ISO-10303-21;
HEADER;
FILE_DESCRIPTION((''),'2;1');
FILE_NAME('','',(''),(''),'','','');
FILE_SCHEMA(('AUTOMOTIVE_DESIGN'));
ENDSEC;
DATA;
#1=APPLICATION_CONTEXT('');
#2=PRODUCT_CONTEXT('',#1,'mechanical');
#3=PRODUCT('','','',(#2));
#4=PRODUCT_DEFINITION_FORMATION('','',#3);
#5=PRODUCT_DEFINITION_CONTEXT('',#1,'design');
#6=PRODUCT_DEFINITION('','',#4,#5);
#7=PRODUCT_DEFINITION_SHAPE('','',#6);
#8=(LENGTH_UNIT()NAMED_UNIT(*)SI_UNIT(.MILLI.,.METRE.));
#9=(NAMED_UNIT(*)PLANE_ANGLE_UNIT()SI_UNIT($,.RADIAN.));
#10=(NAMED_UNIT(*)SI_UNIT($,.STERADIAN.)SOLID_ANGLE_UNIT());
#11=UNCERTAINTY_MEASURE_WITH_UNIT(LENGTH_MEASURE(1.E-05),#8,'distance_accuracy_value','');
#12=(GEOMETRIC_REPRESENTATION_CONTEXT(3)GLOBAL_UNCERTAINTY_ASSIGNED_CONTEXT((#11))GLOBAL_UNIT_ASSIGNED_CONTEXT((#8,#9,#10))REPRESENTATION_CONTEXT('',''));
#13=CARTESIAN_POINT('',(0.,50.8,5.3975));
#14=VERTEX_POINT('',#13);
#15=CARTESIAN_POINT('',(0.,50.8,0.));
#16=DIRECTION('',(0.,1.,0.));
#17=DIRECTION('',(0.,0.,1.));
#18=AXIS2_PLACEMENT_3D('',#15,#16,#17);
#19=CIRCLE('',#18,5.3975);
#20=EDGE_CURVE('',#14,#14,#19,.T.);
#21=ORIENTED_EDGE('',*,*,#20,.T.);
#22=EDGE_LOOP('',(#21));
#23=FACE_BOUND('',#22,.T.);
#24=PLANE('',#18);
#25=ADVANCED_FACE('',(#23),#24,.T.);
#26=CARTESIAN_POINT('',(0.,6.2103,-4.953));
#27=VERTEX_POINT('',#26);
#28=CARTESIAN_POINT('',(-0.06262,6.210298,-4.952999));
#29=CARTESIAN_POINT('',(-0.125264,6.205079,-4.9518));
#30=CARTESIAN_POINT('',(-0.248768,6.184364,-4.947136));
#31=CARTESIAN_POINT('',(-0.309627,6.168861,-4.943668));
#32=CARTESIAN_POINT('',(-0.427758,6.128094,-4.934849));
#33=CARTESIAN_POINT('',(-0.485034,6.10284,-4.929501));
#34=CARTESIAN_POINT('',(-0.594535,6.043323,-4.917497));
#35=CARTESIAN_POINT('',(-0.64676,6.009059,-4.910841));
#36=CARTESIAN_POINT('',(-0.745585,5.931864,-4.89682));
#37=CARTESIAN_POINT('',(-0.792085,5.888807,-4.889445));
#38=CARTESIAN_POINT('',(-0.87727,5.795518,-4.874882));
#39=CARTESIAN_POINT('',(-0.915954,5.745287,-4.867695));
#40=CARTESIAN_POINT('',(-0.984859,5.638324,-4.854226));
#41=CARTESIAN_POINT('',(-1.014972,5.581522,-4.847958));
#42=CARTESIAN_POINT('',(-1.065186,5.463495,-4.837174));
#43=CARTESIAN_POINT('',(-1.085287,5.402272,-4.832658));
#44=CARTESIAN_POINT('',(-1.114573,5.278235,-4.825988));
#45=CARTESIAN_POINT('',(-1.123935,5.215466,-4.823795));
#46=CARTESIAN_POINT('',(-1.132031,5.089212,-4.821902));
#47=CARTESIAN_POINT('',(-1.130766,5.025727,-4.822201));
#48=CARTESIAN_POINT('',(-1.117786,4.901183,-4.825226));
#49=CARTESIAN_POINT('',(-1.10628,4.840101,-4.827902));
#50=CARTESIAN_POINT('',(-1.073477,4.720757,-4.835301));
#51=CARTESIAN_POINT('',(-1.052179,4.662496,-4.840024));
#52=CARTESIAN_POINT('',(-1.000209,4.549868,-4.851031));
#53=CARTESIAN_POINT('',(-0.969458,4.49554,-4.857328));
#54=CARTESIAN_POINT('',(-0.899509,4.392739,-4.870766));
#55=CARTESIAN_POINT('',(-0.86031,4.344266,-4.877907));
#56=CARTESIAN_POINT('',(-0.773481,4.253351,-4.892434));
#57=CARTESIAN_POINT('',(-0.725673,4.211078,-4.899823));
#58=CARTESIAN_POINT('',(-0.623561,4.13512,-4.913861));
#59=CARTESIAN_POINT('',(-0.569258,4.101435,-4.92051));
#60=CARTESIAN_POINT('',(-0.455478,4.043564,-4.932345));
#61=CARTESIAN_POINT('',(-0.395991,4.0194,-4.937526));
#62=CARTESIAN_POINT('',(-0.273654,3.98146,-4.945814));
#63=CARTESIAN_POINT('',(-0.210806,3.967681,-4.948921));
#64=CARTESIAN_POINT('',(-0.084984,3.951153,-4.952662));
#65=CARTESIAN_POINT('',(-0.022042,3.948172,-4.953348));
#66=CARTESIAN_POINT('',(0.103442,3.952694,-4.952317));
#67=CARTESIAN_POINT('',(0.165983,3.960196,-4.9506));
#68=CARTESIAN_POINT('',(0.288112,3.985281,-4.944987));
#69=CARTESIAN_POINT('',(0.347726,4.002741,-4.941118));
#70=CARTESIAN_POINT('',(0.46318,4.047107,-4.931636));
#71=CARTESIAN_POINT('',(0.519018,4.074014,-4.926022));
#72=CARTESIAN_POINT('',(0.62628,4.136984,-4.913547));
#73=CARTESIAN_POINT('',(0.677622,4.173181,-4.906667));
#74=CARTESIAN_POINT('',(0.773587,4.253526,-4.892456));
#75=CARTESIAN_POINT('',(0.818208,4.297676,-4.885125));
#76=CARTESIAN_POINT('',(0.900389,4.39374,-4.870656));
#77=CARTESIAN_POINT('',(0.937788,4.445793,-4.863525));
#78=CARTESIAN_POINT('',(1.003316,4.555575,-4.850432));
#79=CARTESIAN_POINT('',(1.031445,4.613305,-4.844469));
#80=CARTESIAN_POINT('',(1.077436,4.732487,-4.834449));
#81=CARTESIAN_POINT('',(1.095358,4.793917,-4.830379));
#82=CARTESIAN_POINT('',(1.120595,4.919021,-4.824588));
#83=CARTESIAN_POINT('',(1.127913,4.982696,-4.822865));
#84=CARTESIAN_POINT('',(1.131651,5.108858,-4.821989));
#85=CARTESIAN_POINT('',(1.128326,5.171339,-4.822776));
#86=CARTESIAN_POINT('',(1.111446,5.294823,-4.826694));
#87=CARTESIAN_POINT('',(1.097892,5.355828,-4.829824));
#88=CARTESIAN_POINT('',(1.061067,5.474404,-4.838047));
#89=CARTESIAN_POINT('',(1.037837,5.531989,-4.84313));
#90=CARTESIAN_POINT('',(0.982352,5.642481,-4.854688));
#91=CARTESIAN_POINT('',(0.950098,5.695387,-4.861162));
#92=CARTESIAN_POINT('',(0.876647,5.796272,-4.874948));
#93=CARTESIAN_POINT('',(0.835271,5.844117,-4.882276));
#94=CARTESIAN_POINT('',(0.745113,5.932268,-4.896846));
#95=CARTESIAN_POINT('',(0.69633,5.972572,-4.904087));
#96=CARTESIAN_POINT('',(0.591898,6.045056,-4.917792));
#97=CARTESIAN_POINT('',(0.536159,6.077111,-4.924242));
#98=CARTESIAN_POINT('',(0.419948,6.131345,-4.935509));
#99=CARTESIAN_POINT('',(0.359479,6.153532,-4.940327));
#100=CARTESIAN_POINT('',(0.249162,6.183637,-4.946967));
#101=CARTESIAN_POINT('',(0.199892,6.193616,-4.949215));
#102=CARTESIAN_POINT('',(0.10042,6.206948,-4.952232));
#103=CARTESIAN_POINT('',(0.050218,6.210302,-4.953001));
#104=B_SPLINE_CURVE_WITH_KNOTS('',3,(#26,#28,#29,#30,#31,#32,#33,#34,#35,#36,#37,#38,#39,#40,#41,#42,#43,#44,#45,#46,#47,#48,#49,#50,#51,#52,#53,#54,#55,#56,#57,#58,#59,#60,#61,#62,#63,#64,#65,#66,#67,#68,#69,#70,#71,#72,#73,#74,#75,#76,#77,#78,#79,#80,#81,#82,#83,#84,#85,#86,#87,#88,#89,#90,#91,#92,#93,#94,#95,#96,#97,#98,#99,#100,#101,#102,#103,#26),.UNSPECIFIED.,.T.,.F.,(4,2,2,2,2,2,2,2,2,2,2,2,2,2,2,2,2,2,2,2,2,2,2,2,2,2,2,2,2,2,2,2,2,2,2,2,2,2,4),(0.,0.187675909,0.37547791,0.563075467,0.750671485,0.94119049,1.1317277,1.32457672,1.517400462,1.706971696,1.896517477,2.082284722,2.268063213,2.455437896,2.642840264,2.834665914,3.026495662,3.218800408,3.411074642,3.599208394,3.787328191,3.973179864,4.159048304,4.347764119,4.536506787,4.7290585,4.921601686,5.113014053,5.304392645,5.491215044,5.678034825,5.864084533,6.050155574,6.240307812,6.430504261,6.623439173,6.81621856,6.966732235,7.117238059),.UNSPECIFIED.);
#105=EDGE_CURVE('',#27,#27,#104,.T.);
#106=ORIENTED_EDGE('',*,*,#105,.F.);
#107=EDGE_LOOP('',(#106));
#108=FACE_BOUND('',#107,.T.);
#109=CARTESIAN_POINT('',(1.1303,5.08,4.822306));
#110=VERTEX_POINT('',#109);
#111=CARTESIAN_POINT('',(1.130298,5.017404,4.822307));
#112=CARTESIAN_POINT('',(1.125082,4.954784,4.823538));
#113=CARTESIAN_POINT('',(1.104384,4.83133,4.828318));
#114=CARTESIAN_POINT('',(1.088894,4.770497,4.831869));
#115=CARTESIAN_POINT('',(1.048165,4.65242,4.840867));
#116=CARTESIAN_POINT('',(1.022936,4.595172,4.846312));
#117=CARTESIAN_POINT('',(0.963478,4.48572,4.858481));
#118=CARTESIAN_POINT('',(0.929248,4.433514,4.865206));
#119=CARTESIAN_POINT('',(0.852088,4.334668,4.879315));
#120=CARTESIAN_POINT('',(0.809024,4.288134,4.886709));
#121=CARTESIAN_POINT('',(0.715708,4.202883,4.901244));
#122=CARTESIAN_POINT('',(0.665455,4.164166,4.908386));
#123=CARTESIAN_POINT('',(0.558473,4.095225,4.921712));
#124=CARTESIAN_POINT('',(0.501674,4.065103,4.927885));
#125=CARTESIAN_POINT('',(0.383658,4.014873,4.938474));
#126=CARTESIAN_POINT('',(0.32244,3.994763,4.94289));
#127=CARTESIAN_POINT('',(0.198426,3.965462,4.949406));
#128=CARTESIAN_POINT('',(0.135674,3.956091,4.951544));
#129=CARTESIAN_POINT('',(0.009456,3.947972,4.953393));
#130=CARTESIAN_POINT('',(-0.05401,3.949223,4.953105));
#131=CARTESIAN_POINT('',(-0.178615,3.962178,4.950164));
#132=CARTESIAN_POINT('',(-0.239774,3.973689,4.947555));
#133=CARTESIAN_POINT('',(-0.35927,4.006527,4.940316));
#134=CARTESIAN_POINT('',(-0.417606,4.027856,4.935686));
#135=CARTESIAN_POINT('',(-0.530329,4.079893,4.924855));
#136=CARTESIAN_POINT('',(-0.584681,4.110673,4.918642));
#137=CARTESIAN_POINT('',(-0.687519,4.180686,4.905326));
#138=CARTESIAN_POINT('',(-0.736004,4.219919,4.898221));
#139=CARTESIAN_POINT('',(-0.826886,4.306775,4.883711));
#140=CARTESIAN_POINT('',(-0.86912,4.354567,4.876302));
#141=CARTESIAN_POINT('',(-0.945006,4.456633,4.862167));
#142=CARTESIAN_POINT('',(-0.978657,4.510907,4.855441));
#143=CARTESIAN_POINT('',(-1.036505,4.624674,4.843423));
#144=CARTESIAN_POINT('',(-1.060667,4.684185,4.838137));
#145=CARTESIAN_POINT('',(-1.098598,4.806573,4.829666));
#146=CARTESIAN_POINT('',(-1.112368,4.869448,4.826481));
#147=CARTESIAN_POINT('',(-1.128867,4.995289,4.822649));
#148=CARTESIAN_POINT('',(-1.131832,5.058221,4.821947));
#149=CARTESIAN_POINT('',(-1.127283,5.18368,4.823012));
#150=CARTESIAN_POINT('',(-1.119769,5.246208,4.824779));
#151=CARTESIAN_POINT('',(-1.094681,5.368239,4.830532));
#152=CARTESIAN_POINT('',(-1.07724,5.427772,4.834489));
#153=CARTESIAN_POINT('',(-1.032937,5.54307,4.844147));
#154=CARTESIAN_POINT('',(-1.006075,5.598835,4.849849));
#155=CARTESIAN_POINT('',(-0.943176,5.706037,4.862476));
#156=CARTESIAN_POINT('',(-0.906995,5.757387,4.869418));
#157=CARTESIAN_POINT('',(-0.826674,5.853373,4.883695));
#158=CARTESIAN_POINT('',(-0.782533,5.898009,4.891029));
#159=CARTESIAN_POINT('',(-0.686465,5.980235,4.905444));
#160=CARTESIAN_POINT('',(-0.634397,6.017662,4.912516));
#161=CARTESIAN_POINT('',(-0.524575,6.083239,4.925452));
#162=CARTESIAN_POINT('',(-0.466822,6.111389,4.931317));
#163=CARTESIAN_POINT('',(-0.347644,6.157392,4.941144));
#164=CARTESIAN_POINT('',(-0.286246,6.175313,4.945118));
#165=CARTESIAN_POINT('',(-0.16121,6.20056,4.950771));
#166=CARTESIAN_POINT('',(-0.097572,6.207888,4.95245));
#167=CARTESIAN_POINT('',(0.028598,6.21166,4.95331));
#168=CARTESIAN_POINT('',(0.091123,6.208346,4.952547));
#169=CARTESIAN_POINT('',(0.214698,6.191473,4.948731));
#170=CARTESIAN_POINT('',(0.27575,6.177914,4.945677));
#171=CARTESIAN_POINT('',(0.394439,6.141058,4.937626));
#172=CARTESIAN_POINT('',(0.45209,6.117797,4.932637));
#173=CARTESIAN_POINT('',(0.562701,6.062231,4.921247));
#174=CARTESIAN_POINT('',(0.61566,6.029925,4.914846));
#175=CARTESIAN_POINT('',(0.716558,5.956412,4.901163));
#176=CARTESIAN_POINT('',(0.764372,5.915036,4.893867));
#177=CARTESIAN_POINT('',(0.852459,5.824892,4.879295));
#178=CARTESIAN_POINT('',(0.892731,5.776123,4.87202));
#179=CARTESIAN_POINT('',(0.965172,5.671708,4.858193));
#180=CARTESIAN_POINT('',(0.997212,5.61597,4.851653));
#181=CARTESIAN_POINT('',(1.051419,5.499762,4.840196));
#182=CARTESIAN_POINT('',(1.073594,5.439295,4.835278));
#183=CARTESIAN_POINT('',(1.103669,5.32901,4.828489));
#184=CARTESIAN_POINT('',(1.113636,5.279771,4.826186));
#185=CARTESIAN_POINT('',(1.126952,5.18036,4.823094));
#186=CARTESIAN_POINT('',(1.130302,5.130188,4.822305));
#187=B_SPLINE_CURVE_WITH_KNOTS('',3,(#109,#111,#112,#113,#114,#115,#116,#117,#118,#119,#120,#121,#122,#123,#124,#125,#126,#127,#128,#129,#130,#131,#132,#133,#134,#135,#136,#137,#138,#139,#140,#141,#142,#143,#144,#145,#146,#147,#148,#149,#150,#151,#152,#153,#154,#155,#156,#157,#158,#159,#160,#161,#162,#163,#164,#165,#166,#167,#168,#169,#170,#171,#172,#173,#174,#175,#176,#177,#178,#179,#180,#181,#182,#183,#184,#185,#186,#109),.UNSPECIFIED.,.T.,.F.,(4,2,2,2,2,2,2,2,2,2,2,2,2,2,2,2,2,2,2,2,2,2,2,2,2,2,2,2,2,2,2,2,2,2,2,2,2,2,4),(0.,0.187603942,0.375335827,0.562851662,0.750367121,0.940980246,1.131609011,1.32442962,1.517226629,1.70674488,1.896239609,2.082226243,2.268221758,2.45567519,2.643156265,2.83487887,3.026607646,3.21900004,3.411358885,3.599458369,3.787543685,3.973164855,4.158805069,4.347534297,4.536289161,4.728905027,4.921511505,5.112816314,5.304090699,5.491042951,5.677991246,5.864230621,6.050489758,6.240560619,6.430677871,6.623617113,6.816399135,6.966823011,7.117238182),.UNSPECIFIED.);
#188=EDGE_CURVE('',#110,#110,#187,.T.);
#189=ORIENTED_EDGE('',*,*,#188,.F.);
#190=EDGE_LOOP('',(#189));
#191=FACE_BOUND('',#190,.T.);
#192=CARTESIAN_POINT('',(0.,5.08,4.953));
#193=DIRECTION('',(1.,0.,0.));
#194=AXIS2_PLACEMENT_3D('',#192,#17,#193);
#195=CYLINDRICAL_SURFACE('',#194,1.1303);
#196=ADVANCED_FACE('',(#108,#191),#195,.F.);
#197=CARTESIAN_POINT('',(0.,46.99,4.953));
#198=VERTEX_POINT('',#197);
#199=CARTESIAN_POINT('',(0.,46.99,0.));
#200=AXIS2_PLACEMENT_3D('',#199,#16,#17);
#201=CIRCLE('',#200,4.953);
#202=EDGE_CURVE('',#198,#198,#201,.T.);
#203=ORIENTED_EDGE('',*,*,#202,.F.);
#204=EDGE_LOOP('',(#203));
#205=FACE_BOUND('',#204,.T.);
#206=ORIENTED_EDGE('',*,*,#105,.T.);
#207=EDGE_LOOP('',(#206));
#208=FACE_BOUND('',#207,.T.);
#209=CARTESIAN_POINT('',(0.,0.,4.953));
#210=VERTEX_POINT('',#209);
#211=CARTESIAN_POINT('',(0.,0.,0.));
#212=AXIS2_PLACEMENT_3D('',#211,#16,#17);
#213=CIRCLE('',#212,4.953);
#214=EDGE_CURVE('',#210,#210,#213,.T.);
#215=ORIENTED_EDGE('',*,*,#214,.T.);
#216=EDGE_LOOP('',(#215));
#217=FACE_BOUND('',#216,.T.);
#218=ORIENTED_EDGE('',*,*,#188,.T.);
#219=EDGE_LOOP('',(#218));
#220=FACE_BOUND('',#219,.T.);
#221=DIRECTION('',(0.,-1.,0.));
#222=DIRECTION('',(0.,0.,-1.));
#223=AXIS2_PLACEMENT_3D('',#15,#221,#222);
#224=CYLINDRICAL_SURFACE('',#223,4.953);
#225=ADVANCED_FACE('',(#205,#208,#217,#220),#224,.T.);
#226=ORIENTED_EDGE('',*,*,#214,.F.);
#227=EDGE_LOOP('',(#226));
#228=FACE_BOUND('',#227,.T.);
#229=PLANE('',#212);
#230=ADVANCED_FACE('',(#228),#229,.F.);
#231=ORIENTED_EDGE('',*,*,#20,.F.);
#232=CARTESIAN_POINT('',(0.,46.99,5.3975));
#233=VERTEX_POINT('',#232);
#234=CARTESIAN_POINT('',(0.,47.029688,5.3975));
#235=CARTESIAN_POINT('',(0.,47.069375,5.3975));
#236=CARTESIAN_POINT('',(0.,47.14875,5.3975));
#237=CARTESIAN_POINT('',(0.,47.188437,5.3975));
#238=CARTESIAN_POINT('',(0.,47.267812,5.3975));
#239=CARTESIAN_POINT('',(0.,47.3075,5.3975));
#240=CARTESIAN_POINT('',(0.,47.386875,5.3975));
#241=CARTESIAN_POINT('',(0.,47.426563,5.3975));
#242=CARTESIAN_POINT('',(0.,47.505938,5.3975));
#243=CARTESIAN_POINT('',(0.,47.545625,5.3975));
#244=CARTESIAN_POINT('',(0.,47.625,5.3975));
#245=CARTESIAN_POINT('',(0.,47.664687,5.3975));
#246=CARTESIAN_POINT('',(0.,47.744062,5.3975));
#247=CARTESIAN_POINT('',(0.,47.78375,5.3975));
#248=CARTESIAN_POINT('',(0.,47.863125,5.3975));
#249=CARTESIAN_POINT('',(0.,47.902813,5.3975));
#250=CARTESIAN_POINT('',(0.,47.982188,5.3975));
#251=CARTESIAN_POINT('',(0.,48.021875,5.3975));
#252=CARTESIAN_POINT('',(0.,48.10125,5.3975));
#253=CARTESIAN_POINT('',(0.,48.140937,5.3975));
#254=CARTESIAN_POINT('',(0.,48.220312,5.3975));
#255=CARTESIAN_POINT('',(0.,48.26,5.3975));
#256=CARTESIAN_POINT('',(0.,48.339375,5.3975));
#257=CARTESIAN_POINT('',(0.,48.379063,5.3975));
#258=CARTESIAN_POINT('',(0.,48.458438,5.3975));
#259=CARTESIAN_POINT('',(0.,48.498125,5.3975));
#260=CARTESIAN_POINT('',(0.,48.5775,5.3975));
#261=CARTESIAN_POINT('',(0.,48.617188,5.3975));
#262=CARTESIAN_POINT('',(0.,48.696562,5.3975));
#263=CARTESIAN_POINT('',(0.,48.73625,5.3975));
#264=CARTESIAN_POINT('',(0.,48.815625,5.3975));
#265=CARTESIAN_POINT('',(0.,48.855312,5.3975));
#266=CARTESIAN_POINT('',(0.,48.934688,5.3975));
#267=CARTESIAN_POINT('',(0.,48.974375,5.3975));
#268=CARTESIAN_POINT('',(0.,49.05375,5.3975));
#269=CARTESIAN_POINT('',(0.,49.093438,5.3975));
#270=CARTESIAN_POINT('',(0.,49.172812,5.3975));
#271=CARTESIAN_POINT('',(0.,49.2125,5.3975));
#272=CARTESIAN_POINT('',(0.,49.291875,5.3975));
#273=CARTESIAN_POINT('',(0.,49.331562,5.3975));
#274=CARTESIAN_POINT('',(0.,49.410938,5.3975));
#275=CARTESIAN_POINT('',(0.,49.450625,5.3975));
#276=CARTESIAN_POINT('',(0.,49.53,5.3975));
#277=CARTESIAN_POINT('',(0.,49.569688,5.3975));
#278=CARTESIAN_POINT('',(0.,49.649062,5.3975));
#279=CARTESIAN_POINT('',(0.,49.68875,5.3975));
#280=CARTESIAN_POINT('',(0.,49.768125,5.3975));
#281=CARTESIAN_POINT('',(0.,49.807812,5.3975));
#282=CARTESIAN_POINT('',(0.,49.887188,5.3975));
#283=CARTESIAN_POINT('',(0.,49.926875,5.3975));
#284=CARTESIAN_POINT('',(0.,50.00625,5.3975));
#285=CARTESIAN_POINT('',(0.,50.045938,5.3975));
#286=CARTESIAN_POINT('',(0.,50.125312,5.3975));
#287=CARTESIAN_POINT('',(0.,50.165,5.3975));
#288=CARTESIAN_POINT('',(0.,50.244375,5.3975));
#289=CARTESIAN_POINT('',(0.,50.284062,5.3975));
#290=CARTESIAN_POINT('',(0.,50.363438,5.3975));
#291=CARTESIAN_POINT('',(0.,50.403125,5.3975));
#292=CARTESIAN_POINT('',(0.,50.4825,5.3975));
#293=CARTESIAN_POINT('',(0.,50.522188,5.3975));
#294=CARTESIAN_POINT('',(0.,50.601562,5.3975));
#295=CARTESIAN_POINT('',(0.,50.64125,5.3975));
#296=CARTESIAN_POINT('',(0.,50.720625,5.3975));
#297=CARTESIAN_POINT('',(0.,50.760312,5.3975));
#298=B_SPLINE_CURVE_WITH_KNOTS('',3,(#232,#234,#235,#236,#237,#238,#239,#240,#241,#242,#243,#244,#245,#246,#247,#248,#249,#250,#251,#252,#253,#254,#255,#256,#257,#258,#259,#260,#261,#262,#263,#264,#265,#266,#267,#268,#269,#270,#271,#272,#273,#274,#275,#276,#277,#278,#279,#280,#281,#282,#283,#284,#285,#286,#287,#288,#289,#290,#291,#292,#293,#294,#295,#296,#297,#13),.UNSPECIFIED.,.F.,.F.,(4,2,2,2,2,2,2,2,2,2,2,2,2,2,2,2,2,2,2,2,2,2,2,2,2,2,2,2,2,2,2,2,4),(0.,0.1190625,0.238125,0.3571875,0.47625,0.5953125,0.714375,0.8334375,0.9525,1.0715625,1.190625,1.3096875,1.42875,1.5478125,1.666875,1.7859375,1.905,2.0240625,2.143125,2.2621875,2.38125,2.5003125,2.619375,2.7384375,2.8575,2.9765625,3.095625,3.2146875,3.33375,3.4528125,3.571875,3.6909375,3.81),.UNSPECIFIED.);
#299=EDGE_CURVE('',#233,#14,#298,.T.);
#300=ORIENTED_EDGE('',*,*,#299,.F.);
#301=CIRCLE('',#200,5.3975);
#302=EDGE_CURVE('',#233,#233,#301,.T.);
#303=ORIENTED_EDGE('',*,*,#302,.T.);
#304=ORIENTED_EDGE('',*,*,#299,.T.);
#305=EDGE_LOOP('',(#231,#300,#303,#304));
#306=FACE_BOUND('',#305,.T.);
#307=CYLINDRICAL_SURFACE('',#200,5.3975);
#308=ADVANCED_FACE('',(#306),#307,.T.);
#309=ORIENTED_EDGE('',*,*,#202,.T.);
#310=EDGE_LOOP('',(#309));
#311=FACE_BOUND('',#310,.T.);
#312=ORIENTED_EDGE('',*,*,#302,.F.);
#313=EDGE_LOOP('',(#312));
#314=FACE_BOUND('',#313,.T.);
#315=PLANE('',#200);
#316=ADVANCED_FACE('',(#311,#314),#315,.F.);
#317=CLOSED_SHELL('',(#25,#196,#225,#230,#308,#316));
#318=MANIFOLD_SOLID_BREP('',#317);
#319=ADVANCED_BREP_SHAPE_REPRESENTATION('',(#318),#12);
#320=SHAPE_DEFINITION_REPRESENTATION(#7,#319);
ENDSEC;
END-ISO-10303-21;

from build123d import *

# Parameters (mm, degrees)
SKETCH1_R             = 4.953
BOSS_EXTRUDE1_DEPTH   = 50.8
BOSS_EXTRUDE2_START   = -3.81
SKETCH2_R             = 5.3975
SKETCH2_R_2           = 4.953
BOSS_EXTRUDE2_DEPTH   = 3.81
F_4_40_TAPPED_HOLE1_D = 2.2606


with BuildPart() as part:
    # Sketch1 → Boss-Extrude1 (new body)
    with BuildSketch(Plane(origin=(0, 0, 0), x_dir=(1, 0, 0), z_dir=(0, 1, 0))):
        with Locations(Location((0, 0, 0), (0, 0, 270))):
            Circle(SKETCH1_R)
    extrude(amount=BOSS_EXTRUDE1_DEPTH)

    # Sketch2 → Boss-Extrude2 (add)
    with BuildSketch(Plane(origin=(0, 50.8, 0), x_dir=(1, 0, 0), z_dir=(0, 1, 0)).offset(BOSS_EXTRUDE2_START)):
        with Locations(Location((0, 0, 0), (0, 0, 270))):
            Circle(SKETCH2_R)
        with Locations(Location((0, 0, 0), (0, 0, 270))):
            Circle(SKETCH2_R_2, mode=Mode.SUBTRACT)
    extrude(amount=BOSS_EXTRUDE2_DEPTH)

    # #4-40 Tapped Hole1 (through all)
    with Locations(Plane.XY.offset(4.953)):
        with Locations((0, 5.08)):
            Hole(F_4_40_TAPPED_HOLE1_D / 2)


solid = part.part
